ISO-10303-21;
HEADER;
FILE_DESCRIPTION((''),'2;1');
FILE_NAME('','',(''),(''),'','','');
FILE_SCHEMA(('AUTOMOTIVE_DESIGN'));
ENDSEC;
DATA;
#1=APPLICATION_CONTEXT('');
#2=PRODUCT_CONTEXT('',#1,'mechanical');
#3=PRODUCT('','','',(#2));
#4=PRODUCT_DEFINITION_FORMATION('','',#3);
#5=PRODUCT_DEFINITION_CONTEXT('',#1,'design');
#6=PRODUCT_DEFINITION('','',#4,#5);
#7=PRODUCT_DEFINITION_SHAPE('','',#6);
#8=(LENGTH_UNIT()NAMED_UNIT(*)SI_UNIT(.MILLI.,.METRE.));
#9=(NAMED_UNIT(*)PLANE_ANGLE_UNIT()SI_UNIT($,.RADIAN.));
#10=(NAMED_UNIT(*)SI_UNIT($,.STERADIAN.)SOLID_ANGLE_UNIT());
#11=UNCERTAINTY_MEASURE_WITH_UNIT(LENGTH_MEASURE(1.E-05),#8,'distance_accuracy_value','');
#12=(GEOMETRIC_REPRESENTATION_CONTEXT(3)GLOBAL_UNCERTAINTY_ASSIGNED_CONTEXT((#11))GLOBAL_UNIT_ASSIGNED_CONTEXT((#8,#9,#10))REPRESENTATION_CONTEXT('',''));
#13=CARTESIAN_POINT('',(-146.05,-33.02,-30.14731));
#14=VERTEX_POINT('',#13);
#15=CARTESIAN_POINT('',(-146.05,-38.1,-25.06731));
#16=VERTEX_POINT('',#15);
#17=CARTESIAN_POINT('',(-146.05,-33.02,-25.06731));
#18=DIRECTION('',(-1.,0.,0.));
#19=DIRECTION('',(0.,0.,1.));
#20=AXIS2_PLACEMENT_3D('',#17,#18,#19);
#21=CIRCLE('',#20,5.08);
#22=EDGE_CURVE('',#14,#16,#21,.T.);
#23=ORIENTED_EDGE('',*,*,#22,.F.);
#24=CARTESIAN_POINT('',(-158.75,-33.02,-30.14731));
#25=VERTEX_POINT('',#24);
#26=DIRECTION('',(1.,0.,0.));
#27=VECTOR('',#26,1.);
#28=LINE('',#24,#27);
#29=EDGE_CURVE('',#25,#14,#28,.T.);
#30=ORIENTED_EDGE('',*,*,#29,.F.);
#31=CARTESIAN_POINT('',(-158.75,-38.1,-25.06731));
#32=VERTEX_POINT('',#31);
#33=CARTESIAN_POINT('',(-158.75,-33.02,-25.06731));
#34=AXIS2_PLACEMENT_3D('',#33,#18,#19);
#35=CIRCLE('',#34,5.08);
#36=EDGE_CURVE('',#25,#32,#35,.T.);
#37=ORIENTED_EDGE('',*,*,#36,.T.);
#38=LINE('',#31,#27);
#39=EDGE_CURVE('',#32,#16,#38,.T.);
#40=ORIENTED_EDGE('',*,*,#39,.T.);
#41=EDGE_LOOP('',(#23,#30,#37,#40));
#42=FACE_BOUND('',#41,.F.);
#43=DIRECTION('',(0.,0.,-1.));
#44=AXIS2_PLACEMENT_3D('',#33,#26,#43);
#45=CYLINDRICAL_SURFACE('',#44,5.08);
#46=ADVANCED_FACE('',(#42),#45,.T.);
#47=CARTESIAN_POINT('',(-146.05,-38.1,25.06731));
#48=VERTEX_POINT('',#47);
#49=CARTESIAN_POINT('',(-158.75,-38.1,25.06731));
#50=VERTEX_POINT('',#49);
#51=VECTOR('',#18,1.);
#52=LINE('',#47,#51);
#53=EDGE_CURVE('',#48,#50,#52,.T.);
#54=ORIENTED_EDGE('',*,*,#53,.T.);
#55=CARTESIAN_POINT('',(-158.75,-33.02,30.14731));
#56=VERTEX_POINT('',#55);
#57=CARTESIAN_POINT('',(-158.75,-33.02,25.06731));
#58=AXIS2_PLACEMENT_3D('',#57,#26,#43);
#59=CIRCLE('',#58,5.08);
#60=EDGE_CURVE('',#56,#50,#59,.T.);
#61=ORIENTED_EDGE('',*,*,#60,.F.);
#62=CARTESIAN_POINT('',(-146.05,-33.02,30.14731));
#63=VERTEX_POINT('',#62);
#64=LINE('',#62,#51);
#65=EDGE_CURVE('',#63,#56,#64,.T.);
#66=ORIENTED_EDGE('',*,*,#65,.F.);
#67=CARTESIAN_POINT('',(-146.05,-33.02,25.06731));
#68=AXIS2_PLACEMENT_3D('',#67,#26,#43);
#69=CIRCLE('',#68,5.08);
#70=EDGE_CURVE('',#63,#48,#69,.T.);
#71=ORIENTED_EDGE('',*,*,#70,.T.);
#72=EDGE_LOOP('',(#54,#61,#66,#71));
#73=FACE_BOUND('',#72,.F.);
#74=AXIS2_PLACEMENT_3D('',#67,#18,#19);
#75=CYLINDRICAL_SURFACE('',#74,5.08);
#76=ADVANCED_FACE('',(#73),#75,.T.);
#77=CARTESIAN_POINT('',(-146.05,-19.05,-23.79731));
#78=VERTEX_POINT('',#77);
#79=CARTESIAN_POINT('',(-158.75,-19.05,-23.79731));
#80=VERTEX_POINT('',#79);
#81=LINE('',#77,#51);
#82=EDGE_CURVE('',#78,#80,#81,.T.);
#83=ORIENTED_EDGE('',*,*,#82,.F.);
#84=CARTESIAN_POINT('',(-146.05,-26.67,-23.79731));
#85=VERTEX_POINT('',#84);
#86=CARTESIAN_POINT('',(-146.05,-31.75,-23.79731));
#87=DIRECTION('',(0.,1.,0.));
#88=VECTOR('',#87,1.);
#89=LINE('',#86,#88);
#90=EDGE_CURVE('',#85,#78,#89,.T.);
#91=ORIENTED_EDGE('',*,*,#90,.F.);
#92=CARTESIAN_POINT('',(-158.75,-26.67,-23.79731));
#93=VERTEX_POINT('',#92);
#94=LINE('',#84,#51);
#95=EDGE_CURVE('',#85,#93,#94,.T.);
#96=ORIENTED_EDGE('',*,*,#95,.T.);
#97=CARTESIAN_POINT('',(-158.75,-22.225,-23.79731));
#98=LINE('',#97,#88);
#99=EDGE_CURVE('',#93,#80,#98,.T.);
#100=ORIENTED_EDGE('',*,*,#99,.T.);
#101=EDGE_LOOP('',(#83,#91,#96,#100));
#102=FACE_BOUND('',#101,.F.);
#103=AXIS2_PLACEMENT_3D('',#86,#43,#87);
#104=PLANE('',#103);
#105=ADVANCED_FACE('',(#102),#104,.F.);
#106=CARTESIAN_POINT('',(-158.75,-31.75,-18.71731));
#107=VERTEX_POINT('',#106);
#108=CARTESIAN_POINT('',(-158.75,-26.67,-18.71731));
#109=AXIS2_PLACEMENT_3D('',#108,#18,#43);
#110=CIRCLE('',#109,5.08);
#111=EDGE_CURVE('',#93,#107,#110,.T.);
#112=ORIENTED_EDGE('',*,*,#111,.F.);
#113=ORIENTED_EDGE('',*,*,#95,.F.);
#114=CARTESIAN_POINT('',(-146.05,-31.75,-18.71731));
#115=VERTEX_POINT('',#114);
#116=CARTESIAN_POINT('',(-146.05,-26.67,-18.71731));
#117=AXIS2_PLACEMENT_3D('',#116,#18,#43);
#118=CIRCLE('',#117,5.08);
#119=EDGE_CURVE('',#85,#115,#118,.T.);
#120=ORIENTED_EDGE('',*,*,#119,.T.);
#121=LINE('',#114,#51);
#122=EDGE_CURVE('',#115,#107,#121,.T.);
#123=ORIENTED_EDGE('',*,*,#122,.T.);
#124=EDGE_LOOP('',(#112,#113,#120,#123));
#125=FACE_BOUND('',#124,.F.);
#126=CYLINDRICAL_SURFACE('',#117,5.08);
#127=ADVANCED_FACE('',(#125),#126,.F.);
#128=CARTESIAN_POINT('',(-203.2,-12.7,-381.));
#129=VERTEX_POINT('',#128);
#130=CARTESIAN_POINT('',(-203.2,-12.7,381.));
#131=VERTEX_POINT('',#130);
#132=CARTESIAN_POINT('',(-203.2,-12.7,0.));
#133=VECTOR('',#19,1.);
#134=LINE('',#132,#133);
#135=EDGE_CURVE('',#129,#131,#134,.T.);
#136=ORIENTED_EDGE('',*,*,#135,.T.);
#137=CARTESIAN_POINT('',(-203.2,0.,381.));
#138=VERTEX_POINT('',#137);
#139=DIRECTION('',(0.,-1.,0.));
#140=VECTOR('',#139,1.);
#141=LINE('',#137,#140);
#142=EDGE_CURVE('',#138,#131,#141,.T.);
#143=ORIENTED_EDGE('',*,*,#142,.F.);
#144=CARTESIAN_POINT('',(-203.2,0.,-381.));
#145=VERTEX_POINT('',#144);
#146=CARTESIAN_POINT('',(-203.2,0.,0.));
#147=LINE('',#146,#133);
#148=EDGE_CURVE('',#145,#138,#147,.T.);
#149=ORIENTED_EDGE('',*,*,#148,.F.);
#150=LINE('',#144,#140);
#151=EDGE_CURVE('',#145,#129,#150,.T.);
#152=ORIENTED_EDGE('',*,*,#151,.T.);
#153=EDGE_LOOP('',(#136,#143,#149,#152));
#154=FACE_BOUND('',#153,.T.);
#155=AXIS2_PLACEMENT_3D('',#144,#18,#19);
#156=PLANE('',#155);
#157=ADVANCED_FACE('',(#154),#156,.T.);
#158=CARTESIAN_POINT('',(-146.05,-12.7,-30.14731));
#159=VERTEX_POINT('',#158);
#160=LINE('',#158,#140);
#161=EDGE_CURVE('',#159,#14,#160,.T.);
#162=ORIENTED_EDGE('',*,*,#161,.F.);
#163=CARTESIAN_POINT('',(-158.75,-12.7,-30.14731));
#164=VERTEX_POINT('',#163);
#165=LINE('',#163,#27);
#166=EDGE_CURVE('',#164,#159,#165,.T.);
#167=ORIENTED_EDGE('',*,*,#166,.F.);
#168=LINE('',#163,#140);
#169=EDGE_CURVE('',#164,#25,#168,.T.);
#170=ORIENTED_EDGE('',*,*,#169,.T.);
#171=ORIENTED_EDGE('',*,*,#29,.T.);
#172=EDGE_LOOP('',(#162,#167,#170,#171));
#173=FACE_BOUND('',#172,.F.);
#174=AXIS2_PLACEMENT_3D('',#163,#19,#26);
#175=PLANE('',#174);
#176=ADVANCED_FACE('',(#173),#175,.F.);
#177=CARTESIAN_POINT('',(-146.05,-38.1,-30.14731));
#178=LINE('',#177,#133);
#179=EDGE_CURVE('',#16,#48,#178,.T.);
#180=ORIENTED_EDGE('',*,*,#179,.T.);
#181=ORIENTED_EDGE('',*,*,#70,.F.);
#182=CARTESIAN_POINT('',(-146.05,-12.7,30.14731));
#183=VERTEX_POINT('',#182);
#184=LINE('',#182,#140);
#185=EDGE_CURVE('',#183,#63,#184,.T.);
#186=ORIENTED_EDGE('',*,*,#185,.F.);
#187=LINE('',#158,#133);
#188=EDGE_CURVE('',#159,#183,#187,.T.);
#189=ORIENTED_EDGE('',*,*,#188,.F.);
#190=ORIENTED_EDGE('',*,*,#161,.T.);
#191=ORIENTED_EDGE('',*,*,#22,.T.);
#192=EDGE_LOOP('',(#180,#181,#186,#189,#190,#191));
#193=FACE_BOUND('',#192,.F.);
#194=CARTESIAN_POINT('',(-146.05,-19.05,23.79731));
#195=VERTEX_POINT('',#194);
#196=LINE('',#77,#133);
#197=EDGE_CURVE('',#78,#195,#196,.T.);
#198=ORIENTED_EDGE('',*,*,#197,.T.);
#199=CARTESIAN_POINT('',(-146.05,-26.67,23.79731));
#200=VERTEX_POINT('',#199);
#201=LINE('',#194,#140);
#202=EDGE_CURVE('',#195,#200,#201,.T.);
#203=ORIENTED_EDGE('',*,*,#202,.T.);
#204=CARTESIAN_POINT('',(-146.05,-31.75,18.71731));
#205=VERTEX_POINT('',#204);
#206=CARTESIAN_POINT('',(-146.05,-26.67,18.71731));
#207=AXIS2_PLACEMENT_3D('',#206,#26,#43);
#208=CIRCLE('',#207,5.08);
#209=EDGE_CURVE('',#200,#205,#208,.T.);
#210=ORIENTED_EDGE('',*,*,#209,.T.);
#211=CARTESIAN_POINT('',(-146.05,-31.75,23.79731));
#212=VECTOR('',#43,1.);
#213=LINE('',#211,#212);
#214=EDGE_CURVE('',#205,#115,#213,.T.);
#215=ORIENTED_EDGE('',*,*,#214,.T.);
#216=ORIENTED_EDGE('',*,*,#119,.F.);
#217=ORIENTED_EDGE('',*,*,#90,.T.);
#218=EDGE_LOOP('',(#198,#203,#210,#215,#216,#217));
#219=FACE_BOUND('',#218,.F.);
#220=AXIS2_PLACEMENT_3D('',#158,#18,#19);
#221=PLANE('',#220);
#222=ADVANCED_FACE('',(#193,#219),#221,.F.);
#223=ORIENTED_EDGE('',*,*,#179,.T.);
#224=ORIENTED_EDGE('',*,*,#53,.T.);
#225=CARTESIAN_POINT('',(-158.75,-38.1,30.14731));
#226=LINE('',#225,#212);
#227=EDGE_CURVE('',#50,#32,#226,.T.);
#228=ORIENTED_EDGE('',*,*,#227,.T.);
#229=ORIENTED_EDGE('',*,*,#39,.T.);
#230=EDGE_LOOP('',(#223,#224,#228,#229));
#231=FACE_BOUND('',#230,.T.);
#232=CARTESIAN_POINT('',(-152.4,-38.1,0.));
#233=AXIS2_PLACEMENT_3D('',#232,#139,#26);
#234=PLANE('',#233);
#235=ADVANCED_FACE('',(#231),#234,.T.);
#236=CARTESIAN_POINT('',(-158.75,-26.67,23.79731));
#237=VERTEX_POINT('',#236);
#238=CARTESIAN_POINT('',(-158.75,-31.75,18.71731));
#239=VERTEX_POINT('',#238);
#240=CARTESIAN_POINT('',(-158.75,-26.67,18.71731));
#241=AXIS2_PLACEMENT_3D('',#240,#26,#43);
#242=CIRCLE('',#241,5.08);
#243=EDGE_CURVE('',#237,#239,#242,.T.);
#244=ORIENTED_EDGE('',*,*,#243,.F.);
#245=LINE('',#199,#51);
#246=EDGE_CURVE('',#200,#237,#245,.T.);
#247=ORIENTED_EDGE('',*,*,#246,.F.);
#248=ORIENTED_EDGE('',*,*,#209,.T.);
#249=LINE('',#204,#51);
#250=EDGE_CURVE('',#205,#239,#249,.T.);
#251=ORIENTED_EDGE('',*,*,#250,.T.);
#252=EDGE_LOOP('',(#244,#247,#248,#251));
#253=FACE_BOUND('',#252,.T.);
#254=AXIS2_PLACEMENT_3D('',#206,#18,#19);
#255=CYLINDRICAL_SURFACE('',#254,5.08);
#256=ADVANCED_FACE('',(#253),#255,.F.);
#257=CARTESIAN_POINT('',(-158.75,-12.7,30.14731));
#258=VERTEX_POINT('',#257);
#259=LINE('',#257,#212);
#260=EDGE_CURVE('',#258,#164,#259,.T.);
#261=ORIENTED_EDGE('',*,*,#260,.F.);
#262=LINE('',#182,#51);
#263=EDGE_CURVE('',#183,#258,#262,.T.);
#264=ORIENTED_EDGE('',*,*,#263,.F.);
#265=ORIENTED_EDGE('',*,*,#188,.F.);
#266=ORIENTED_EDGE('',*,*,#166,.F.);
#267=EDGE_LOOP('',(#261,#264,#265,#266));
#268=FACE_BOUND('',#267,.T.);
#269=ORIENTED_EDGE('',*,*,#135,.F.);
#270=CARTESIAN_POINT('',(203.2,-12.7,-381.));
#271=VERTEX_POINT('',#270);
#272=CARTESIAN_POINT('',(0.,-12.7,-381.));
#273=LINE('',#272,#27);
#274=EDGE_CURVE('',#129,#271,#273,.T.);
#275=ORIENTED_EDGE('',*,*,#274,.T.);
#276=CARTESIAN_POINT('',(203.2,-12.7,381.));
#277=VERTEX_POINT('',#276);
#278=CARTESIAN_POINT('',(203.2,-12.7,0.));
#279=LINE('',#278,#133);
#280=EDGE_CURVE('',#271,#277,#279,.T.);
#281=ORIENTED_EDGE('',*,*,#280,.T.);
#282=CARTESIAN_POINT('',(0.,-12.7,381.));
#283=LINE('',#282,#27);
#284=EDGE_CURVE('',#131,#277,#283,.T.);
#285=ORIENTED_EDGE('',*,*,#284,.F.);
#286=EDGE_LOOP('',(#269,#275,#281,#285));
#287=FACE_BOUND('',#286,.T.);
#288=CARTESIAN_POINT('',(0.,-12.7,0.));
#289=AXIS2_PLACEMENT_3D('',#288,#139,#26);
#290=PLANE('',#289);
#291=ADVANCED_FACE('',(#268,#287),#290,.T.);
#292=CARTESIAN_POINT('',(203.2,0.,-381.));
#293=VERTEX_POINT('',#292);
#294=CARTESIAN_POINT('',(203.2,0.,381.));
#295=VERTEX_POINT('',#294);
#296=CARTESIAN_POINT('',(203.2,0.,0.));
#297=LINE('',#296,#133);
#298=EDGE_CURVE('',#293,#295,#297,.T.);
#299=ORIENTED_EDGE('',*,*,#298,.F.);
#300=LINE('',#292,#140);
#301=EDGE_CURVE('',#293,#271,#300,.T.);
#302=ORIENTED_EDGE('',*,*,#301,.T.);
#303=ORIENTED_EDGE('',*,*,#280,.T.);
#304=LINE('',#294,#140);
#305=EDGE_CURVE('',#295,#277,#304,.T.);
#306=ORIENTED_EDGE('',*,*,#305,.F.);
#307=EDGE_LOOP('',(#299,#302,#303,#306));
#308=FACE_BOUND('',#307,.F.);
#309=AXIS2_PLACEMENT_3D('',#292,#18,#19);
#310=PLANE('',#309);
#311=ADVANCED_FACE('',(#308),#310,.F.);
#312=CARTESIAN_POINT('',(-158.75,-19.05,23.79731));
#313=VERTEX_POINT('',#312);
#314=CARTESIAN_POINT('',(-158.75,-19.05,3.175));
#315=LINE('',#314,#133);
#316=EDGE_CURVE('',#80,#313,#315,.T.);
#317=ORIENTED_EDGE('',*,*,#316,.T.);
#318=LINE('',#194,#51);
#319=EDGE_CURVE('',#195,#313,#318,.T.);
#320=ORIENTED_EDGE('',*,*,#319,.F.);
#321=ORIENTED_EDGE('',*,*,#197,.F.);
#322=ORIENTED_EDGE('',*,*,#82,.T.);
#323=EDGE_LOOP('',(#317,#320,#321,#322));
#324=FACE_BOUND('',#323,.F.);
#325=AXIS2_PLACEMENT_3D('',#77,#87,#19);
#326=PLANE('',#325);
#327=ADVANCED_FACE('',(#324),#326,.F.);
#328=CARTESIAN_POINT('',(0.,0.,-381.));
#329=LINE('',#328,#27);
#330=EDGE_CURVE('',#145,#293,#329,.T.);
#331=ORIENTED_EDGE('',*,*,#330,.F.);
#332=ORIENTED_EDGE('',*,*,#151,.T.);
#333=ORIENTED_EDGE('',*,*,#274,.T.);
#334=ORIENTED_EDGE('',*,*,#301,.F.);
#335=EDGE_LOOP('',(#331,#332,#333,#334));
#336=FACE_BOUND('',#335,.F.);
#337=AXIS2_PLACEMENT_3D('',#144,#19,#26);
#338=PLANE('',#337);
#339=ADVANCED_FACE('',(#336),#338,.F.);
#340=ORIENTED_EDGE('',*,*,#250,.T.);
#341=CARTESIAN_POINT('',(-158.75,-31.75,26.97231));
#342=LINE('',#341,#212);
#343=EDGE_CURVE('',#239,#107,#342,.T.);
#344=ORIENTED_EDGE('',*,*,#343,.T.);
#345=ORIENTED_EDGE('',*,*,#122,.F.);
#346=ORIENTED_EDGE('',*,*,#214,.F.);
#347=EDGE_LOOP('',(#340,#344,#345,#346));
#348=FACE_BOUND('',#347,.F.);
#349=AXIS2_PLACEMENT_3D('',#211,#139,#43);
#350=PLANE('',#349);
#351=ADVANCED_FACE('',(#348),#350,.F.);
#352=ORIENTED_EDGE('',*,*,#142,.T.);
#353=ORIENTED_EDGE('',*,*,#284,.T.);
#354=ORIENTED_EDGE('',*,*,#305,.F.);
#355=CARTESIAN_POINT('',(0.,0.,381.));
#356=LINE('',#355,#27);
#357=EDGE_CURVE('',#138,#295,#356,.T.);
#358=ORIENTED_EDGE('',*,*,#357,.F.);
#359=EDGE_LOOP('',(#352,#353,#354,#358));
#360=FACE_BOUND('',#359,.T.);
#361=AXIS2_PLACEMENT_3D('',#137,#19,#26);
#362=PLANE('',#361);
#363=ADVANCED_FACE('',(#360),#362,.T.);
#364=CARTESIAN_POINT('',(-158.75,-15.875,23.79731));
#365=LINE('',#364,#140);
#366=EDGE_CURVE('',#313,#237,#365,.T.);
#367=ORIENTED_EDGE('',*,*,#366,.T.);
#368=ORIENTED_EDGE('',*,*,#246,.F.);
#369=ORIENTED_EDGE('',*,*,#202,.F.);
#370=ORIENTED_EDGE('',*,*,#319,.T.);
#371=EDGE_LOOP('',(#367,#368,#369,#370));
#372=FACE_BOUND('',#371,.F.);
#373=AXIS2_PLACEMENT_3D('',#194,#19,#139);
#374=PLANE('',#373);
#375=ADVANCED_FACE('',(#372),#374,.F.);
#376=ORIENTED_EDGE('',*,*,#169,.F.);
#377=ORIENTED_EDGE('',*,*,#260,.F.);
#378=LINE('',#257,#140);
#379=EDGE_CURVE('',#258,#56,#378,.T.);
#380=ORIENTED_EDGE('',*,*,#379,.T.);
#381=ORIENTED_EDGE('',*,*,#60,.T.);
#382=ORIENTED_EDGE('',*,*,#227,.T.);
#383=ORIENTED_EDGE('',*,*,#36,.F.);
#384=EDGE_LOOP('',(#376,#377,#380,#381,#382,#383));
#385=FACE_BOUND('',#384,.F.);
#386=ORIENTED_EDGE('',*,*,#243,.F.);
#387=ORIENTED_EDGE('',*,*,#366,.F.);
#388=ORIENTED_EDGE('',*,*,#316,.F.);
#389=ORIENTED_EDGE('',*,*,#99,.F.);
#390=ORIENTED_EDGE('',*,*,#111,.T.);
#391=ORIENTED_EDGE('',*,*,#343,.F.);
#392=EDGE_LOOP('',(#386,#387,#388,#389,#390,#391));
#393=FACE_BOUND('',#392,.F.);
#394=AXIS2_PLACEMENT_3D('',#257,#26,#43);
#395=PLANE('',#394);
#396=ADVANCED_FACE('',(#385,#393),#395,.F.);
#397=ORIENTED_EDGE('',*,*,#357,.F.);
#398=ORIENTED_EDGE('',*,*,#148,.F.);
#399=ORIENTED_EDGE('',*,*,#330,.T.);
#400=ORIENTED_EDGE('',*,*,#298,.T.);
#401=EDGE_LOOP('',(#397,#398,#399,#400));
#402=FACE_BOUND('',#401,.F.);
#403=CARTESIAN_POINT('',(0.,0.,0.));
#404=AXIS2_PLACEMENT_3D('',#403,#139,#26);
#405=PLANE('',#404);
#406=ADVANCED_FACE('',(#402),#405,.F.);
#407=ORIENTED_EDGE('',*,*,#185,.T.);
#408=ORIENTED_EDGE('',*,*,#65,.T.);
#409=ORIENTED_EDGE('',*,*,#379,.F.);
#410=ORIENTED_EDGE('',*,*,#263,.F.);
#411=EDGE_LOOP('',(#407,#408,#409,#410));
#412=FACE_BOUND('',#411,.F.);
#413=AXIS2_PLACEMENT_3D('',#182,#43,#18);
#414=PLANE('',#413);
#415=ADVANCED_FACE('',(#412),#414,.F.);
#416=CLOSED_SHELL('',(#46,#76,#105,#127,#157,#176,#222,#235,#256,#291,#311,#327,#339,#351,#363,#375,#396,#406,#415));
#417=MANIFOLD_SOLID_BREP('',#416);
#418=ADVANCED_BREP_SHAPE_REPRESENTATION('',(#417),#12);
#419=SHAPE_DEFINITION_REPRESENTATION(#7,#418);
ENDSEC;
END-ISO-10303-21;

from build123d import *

# Parameters (mm, degrees)
F0_W     = 406.4
F0_H     = 762
F1_DEPTH = 12.7
F3_DEPTH = 25.4
F5_DEPTH = 86.36
F6_R     = 5.08


with BuildPart() as f1:
    # F0 (on Front) → F1 (new body)
    with BuildSketch(Plane.XZ):
        Rectangle(F0_W, F0_H)
    extrude(amount=F1_DEPTH)

    # F2 (on face) → F3 (join)
    with BuildSketch(Plane.XZ.offset(12.7)):
        Polygon((-146.05, -30.14731), (-146.05, 30.14731), (-158.75, 30.14731), (-158.75, 0), (-158.75, -30.14731), align=None)
    extrude(amount=F3_DEPTH)

    # F4 (on face) → F5 (cut)
    with BuildSketch(Plane.YZ.offset(-146.05)):
        Polygon((-31.75, 23.79731), (-31.75, 0), (-31.75, -23.79731), (-19.05, -23.79731), (-19.05, 23.79731), align=None)
    extrude(amount=-F5_DEPTH, mode=Mode.SUBTRACT)

    # F6
    f6_edges = [f1.edges().sort_by_distance(p)[0] for p in [
        (-152.4, -38.1, 30.14731),
        (-152.4, -38.1, -30.14731),
        (-152.4, -31.75, 23.79731),
        (-152.4, -31.75, -23.79731),
    ]]
    fillet(f6_edges, radius=F6_R)


solid = f1.part
